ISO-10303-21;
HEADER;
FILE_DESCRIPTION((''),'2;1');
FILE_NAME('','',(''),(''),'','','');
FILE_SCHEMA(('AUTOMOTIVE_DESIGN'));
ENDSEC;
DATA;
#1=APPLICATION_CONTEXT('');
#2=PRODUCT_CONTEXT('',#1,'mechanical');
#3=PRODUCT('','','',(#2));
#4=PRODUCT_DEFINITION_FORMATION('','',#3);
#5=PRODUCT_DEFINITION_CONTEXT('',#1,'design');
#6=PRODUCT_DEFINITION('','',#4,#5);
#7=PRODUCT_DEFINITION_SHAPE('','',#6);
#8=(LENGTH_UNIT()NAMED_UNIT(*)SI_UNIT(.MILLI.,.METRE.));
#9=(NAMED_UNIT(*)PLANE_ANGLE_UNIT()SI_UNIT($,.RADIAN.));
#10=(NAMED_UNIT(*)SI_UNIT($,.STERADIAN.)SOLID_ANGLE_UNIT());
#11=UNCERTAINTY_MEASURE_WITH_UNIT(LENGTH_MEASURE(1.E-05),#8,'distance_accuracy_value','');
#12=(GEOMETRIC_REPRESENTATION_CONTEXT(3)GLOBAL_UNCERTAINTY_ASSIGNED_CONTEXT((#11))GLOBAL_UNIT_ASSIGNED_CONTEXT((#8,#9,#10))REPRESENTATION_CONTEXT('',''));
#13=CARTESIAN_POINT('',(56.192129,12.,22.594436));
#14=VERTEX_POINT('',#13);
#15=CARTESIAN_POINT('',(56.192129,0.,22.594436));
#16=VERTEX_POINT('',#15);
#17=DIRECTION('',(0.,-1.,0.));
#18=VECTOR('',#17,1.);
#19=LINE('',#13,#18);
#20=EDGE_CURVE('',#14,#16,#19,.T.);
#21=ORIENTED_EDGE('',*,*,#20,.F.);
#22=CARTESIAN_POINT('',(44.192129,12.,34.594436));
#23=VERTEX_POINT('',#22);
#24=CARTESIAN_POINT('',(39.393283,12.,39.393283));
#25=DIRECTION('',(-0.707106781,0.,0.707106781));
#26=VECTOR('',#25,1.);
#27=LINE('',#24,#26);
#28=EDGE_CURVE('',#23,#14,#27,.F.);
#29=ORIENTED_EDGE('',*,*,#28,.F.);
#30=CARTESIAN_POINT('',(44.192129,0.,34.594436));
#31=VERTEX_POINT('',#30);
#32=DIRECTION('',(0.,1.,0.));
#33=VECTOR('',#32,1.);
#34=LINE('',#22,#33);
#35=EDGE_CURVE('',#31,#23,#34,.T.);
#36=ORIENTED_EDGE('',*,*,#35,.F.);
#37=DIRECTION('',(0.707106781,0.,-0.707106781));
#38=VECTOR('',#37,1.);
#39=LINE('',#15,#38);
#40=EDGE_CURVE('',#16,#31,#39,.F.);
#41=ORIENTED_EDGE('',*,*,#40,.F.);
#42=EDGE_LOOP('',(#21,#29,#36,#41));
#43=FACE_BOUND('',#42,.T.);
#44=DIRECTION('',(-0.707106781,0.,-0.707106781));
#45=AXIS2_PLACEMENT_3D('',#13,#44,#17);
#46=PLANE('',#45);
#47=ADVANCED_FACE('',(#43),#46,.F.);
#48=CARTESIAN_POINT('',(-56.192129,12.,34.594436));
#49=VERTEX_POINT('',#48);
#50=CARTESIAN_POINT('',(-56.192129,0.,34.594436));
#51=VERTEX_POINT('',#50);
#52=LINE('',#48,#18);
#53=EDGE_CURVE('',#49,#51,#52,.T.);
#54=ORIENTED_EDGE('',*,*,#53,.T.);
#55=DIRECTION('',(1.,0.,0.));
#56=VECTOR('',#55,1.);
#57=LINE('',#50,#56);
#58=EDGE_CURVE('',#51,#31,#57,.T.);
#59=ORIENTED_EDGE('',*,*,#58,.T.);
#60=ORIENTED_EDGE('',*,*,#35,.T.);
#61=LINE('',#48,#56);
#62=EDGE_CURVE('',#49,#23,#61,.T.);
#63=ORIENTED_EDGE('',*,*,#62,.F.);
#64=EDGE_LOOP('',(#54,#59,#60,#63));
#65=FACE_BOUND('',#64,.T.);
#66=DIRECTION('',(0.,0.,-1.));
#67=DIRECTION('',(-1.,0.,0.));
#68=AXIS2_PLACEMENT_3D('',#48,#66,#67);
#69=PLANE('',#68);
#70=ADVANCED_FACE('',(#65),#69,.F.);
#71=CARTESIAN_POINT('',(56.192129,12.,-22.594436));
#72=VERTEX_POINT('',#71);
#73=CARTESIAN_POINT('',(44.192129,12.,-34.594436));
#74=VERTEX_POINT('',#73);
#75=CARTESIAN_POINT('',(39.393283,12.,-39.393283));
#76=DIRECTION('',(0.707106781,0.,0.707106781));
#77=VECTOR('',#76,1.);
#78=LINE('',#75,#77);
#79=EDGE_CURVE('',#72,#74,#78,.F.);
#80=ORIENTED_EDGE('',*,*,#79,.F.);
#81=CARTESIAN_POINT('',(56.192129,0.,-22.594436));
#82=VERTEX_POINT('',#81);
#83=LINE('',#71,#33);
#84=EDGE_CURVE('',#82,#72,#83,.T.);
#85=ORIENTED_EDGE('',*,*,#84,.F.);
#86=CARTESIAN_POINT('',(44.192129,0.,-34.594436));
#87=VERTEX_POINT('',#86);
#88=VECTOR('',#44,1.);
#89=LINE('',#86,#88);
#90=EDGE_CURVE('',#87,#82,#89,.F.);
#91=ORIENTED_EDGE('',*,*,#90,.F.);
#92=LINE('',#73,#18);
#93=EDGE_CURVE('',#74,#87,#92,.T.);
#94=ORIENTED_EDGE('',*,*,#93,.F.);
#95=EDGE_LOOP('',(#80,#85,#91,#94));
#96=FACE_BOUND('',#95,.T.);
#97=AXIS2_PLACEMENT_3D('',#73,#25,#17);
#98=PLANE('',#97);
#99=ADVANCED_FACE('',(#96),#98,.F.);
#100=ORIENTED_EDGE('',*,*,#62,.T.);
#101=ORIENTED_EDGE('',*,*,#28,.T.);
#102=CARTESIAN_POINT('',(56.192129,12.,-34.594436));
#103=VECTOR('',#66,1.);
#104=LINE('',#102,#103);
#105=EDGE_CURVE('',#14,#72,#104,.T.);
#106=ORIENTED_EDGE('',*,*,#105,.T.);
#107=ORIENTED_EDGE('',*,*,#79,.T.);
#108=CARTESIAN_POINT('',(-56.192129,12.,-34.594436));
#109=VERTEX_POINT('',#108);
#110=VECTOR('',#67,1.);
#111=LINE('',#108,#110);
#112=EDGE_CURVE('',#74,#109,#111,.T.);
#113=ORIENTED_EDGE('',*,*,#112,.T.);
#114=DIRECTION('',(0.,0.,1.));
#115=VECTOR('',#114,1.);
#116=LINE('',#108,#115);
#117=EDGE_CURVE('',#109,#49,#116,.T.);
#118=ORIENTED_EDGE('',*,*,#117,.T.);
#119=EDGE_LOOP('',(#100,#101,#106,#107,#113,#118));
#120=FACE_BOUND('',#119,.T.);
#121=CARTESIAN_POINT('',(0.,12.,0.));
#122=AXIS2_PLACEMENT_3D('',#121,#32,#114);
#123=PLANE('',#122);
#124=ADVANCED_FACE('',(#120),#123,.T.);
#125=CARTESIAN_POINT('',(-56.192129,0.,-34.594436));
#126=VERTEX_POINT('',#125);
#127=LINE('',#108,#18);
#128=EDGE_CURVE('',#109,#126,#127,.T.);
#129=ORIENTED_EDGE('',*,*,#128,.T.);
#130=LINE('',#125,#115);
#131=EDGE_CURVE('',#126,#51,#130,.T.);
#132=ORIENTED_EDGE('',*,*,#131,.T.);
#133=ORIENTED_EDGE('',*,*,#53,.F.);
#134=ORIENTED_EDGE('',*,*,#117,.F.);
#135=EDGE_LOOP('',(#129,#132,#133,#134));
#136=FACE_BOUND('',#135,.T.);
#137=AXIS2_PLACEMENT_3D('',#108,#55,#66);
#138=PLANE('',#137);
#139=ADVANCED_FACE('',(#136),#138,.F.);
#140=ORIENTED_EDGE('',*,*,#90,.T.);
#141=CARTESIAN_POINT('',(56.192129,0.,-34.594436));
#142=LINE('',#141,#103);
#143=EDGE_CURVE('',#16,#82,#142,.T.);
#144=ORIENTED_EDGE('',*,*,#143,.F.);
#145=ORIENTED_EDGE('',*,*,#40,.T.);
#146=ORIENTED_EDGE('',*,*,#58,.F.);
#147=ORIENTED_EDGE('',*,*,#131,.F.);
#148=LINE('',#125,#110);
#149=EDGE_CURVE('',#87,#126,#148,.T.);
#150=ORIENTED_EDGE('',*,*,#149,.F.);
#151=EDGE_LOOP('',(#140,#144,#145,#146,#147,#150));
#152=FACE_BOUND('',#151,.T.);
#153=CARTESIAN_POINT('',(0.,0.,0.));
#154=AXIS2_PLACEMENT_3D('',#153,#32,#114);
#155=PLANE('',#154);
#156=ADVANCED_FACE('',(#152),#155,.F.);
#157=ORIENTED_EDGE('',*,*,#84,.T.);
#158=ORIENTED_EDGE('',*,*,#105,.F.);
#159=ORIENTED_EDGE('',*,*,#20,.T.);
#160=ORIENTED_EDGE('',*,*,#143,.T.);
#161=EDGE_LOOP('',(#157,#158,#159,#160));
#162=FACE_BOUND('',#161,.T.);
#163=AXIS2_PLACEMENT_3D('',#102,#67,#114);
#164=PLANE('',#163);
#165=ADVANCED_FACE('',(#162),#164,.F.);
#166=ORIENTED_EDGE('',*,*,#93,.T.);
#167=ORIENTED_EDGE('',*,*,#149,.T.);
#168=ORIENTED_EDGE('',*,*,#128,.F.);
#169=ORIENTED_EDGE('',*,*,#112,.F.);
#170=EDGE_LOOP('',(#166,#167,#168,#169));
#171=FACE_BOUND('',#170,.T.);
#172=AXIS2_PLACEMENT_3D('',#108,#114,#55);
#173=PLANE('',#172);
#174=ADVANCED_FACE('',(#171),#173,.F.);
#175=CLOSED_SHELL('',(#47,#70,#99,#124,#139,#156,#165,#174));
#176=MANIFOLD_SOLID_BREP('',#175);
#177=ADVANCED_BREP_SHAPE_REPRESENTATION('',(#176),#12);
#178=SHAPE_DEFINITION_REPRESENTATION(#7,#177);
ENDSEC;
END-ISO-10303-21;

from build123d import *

# Parameters (mm, degrees)
SKETCH1_W           = 112.384257698
SKETCH1_H           = 69.188872884
BOSS_EXTRUDE1_DEPTH = 12
CHAMFER3_SIZE       = 12
CHAMFER4_SIZE       = 12


with BuildPart() as part:
    # Sketch1 → Boss-Extrude1 (new body)
    with BuildSketch(Plane(origin=(0, 0, 0), x_dir=(1, 0, 0), z_dir=(0, 1, 0))):
        Rectangle(SKETCH1_W, SKETCH1_H)
    extrude(amount=BOSS_EXTRUDE1_DEPTH)

    # Chamfer3
    chamfer3_edges = [part.edges().sort_by_distance(p)[0] for p in [
        (56.192128849, 6, 34.594436442),
    ]]
    chamfer(chamfer3_edges, length=CHAMFER3_SIZE)

    # Chamfer4
    chamfer4_edges = [part.edges().sort_by_distance(p)[0] for p in [
        (56.192128849, 6, -34.594436442),
    ]]
    chamfer(chamfer4_edges, length=CHAMFER4_SIZE)


solid = part.part
